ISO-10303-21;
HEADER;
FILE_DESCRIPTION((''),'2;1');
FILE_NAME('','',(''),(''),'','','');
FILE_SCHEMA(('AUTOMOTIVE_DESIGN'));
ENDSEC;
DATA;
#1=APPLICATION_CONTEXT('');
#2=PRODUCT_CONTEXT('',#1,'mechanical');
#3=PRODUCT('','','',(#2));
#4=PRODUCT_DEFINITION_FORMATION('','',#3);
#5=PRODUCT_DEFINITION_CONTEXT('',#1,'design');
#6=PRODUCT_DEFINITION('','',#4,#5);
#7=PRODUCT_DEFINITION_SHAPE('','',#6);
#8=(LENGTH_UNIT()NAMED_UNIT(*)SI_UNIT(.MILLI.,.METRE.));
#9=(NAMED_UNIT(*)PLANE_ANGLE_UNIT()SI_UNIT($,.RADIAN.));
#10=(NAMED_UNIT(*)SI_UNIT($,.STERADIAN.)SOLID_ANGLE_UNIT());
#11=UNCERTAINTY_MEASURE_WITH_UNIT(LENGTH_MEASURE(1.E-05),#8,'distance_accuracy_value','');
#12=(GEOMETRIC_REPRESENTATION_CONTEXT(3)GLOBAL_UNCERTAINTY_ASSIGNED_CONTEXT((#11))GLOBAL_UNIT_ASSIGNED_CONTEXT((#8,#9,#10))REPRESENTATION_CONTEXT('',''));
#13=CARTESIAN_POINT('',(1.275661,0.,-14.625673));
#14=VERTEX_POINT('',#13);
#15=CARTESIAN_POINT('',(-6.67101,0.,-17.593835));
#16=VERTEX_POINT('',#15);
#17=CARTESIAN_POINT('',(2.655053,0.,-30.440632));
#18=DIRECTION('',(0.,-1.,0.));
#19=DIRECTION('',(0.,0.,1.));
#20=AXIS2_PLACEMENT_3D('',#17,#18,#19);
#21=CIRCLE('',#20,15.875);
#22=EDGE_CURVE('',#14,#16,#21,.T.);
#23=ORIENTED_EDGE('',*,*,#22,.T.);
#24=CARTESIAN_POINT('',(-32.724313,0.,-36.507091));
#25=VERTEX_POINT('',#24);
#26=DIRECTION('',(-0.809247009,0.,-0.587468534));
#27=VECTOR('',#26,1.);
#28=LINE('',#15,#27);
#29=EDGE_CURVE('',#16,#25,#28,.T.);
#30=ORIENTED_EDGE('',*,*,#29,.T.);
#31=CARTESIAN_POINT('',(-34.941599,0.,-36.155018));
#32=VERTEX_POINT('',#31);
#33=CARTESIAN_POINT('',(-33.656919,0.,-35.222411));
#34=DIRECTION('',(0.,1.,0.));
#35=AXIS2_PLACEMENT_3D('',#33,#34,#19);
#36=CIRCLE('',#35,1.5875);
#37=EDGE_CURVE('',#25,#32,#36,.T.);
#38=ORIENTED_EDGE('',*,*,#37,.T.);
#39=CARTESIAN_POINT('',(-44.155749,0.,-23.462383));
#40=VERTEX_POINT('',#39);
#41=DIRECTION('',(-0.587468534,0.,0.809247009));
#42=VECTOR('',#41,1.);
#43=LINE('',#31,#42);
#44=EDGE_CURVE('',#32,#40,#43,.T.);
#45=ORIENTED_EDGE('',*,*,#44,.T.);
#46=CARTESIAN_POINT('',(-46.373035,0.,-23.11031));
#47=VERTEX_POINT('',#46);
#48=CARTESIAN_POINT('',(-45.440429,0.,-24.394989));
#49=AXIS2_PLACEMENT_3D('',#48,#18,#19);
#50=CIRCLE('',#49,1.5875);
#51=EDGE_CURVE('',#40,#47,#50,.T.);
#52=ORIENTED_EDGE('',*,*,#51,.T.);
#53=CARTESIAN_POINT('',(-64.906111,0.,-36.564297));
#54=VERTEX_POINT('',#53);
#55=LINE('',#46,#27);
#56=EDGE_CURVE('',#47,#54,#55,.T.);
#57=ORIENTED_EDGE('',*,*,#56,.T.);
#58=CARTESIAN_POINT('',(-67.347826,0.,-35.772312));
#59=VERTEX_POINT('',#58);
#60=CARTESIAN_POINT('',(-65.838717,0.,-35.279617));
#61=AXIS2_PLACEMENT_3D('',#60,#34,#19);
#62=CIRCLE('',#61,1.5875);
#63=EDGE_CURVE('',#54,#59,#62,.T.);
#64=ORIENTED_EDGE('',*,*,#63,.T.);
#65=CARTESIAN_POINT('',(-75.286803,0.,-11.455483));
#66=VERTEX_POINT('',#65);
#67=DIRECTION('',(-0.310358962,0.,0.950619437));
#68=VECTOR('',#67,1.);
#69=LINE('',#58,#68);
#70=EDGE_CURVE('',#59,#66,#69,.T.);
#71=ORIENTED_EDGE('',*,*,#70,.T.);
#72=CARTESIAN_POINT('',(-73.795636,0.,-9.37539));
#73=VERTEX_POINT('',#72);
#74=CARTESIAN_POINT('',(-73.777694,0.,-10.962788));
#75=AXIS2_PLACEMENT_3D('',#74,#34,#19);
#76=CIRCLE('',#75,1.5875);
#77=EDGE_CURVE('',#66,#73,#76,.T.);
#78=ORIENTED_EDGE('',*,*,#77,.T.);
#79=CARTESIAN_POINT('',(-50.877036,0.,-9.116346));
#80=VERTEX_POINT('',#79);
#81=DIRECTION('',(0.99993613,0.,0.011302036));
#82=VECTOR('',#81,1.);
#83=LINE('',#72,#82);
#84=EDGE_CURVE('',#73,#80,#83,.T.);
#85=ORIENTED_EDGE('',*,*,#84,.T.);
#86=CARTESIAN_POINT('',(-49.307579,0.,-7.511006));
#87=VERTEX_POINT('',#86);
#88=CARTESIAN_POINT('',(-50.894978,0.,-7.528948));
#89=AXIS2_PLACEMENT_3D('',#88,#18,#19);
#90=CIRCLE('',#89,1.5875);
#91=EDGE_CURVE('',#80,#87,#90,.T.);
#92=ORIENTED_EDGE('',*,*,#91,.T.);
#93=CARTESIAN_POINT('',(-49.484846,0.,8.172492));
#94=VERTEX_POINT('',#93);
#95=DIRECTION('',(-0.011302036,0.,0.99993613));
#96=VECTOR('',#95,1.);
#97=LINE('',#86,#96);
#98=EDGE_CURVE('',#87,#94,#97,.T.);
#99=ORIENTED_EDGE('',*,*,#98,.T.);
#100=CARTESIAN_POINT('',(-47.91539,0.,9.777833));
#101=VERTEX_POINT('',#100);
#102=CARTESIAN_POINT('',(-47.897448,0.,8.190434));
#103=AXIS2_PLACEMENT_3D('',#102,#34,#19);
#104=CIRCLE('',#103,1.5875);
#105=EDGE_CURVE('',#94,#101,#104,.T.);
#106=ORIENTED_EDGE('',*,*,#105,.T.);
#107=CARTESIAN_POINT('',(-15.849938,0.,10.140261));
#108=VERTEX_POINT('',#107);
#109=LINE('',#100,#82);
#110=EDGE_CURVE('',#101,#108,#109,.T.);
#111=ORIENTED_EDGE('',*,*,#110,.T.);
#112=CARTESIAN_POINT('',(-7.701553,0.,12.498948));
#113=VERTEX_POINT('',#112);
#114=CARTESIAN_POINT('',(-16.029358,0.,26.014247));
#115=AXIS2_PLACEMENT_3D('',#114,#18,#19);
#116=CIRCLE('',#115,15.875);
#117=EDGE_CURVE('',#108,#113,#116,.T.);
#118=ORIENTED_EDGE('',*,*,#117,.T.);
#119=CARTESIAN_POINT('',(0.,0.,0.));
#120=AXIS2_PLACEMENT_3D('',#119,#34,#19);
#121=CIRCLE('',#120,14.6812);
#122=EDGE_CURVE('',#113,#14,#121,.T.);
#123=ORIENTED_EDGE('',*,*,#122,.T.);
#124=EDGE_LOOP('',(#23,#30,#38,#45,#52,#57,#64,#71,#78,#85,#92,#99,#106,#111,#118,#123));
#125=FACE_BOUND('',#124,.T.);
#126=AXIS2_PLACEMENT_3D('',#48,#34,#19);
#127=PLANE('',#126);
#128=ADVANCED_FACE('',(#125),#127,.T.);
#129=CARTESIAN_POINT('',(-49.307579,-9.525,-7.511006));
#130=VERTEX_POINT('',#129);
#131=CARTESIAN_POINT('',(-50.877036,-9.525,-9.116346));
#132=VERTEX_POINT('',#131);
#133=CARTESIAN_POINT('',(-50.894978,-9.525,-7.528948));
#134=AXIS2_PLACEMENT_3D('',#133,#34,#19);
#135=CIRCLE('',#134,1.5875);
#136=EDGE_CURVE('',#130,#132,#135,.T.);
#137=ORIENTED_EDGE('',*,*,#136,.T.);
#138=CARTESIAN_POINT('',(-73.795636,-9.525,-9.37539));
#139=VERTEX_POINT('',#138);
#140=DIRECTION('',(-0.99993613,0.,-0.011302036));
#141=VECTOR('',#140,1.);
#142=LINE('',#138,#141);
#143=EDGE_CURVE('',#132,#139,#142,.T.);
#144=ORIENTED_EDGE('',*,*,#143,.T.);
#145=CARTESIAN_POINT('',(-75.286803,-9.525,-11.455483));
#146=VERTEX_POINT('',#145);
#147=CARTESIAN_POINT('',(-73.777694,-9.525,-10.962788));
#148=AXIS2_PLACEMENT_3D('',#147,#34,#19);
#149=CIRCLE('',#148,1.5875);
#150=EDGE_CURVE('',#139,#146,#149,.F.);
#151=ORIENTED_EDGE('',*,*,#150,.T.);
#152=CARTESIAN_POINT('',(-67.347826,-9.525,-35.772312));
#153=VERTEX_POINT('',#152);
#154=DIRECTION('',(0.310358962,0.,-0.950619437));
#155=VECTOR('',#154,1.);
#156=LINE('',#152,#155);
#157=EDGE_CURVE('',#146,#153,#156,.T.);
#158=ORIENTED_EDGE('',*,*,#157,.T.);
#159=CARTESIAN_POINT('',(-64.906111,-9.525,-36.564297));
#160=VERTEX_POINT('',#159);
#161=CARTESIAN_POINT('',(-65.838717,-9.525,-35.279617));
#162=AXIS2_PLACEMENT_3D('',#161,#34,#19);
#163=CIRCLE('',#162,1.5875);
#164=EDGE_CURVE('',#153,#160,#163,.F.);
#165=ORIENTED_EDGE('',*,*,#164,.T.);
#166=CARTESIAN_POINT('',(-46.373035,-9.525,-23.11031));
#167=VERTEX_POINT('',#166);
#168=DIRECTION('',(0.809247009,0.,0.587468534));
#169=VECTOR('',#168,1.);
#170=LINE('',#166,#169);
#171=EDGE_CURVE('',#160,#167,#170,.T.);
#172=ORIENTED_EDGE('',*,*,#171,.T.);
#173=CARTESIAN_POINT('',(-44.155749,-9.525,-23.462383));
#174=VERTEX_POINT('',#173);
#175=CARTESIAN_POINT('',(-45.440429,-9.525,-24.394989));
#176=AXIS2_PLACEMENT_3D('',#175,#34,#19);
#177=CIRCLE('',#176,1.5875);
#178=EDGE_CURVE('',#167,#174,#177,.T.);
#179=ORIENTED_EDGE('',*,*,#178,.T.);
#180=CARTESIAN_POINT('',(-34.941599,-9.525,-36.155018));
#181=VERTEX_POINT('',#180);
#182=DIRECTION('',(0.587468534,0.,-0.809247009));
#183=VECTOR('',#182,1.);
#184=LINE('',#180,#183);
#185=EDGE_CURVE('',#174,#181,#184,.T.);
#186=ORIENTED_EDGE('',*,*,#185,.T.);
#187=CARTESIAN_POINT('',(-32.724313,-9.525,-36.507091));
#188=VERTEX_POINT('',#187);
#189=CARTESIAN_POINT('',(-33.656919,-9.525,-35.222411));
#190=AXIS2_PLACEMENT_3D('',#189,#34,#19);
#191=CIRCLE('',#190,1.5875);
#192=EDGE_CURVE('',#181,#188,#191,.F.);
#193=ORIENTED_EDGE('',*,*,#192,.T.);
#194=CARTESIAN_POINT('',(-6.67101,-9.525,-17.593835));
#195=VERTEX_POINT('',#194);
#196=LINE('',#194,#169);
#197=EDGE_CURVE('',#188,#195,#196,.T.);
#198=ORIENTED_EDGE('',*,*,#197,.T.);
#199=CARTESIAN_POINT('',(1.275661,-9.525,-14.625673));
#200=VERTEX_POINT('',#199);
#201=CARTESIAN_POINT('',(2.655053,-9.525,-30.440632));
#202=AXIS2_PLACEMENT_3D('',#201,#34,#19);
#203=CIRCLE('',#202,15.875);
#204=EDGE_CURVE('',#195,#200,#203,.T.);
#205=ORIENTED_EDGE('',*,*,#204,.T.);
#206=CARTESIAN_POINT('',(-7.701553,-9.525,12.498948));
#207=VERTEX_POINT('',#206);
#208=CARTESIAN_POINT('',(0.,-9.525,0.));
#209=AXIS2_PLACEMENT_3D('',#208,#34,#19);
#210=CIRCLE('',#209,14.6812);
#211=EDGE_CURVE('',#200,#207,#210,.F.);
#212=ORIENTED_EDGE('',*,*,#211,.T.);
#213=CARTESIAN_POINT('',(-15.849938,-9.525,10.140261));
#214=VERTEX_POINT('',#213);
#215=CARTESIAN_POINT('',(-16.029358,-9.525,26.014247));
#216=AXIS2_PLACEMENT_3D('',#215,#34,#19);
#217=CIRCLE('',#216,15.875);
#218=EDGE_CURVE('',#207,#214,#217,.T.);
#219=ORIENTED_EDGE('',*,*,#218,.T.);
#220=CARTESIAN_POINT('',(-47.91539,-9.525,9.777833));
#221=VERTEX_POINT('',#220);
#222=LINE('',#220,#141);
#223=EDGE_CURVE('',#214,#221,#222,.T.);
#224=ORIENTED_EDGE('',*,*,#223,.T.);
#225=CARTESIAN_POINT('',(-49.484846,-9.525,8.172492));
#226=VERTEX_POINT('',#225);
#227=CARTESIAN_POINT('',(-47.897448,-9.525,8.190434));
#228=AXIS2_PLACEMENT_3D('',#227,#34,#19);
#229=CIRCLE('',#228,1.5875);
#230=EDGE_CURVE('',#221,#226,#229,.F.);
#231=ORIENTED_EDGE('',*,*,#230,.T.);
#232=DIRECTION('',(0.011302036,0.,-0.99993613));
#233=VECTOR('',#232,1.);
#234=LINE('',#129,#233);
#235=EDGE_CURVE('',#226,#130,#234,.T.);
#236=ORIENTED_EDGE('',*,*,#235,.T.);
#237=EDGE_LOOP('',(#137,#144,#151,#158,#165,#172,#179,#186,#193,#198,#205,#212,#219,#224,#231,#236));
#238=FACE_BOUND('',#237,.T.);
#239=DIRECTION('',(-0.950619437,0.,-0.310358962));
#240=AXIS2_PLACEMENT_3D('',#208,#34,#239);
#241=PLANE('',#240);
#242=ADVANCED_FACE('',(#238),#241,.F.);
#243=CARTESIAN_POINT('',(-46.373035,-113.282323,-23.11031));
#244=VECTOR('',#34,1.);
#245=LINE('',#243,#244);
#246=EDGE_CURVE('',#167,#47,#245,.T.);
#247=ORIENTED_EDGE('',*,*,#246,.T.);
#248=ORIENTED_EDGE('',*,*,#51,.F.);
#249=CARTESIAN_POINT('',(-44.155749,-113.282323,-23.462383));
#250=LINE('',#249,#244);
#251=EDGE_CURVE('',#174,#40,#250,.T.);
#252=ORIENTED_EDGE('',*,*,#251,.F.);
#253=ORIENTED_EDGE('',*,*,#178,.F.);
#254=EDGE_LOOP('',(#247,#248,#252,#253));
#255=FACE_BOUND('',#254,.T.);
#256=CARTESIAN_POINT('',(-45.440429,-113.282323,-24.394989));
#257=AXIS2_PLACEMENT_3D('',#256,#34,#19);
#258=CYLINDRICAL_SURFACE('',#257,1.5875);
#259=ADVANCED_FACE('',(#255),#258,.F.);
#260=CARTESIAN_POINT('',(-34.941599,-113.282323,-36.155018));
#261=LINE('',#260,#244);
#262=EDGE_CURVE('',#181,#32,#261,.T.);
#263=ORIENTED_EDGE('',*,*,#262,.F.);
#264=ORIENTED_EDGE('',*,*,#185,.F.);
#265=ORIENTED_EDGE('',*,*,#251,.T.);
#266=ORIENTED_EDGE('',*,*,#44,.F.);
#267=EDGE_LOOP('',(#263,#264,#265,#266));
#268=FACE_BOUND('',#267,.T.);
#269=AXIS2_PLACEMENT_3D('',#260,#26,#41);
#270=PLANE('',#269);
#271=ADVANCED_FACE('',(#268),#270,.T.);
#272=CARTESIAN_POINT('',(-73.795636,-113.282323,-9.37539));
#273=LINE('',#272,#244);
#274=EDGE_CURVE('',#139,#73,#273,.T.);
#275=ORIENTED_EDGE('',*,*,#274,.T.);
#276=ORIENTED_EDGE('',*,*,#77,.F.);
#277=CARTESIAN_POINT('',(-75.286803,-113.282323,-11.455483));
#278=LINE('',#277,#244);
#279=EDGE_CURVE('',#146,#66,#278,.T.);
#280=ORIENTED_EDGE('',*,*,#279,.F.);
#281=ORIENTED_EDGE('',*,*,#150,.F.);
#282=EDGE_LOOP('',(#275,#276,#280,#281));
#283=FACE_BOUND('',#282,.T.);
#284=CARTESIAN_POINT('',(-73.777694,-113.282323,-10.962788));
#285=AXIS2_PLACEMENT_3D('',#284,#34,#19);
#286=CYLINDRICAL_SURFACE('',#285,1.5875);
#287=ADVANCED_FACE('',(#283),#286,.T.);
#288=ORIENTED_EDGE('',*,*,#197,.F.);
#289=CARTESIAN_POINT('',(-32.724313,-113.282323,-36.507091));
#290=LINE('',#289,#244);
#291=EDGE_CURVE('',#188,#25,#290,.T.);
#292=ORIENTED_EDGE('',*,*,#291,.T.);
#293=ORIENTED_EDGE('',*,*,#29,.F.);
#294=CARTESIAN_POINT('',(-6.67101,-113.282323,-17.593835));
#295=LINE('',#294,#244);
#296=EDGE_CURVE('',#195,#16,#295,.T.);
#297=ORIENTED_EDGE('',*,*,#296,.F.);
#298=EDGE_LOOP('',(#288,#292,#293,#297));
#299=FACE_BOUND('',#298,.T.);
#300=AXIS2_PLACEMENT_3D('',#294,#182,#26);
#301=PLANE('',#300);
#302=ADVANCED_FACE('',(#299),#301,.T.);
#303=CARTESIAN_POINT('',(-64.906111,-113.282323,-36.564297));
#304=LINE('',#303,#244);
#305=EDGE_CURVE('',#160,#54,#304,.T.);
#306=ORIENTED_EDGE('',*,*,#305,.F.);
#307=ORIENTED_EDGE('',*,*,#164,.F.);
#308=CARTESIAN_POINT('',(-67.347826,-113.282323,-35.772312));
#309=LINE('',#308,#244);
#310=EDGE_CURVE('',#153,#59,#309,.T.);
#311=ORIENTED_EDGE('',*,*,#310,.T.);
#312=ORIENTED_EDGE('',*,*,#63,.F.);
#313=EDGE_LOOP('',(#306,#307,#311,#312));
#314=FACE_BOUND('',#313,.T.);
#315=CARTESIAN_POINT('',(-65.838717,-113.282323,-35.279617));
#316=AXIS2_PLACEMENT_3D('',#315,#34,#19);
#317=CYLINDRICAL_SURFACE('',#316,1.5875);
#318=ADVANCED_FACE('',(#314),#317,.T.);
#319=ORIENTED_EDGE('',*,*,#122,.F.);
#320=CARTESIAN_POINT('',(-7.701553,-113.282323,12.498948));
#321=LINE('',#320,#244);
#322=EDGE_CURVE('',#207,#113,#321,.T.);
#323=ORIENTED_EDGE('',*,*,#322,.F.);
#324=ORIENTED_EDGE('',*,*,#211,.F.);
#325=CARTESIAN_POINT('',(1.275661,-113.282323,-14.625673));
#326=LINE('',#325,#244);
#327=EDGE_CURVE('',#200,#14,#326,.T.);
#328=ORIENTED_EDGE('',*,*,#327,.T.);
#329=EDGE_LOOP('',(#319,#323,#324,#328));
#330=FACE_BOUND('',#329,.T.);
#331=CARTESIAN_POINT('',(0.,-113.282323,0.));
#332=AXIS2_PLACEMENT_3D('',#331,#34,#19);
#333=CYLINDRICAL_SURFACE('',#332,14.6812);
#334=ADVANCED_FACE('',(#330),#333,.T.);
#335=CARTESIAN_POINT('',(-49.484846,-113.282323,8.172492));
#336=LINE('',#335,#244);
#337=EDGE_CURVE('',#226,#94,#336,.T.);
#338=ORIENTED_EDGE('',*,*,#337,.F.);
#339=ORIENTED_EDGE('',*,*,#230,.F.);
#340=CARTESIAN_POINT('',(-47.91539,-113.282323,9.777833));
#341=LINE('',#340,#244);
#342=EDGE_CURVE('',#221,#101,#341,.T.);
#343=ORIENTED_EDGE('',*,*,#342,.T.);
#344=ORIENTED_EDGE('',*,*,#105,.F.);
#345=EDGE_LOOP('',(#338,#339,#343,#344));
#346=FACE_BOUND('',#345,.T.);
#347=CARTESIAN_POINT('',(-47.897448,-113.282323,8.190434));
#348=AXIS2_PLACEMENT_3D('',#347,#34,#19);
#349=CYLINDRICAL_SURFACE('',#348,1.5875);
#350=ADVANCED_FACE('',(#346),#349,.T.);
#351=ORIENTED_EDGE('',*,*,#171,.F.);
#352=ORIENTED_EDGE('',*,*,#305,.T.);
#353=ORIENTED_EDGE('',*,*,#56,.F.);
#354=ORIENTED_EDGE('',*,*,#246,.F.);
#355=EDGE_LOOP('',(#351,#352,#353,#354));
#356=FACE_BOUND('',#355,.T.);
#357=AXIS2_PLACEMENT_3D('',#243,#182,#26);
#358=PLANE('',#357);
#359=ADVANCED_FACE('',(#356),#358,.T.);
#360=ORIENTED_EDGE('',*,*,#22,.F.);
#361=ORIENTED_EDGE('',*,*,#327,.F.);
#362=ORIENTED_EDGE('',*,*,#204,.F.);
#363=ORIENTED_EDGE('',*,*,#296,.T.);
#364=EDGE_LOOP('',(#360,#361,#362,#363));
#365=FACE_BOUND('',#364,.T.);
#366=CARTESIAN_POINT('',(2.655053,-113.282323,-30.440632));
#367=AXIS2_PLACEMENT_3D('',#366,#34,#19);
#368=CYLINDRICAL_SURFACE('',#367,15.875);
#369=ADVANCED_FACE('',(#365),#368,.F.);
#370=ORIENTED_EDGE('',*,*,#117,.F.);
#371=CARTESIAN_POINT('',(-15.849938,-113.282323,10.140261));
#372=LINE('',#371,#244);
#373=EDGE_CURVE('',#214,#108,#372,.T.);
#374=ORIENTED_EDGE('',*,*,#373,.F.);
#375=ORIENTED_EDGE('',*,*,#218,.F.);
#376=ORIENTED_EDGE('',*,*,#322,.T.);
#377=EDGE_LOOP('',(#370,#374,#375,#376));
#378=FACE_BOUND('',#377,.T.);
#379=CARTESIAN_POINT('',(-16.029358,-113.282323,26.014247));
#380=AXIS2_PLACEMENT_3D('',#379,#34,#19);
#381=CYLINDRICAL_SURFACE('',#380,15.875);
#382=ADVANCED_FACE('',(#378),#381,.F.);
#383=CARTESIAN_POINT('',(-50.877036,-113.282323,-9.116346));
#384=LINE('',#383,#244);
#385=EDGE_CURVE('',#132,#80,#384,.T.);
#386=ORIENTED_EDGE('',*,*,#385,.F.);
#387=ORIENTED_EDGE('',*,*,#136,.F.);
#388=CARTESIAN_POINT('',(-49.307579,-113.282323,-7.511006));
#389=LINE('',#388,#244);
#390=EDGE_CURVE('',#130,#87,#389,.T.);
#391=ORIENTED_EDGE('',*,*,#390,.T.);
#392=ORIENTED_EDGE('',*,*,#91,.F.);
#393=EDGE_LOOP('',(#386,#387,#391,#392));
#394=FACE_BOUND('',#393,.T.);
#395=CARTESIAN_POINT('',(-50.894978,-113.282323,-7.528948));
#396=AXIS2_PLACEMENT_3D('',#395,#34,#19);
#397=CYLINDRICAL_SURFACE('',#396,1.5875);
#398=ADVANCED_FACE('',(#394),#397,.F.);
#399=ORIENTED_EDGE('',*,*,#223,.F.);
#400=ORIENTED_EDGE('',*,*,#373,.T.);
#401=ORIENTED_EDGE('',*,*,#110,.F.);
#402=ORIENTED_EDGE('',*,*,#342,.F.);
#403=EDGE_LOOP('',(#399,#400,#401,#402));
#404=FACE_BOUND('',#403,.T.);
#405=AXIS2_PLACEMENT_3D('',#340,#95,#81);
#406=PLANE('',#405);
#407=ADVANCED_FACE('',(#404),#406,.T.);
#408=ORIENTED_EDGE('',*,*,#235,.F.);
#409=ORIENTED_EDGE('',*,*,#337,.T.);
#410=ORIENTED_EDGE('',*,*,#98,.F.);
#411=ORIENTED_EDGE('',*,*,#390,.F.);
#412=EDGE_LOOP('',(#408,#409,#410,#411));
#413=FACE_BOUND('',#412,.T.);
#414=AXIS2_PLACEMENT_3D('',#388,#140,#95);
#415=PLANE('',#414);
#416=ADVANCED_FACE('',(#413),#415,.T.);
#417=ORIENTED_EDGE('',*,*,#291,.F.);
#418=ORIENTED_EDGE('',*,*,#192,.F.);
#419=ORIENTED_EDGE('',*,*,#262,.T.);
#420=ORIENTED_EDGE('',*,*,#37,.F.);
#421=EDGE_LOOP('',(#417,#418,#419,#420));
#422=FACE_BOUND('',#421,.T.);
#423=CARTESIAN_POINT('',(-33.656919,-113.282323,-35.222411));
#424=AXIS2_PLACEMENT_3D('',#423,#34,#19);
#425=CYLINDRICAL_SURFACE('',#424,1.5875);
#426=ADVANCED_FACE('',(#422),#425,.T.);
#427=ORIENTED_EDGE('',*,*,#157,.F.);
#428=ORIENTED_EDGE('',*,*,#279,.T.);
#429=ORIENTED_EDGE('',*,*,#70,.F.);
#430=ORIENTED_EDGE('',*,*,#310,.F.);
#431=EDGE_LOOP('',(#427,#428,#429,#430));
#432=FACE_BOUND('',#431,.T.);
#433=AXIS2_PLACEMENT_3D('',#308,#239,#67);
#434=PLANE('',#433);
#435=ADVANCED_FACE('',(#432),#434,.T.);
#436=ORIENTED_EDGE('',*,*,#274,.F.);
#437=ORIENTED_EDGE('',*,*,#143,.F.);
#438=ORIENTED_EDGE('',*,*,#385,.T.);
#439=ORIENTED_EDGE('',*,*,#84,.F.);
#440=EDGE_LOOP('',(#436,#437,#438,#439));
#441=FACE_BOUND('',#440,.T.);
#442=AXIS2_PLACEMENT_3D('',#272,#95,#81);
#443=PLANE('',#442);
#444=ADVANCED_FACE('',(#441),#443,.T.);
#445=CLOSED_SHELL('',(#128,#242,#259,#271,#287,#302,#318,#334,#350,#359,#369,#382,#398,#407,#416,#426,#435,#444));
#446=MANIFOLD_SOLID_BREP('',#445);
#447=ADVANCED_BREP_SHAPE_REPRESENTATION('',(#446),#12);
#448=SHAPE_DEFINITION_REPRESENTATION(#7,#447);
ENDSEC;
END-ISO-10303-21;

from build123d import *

# Parameters (mm, degrees)
BOSS_EXTRUDE1_DEPTH = 9.525


with BuildPart() as part:
    # Sketch1 → Boss-Extrude1 (new body)
    with BuildSketch(Plane(origin=(0, 0, 0), x_dir=(1, 0, 0), z_dir=(0, 1, 0))):
        with BuildLine():
            Line((-46.373035196, 23.110309708), (-64.906111076, 36.564296932))
            ThreePointArc((-64.906111076, 36.564296932), (-66.328511848, 36.789669498), (-67.347825731, 35.772312158))
            Line((-67.347825731, 35.772312158), (-75.28680268, 11.455483186))
            ThreePointArc((-75.28680268, 11.455483186), (-75.067914414, 10.037862192), (-73.795636305, 9.375389727))
            Line((-73.795636305, 9.375389727), (-50.87703604, 9.116346342))
            ThreePointArc((-50.87703604, 9.116346342), (-49.759830806, 8.638721158), (-49.307579416, 7.511005754))
            Line((-49.307579416, 7.511005754), (-49.484846196, -8.172492476))
            ThreePointArc((-49.484846196, -8.172492476), (-49.032594805, -9.30020788), (-47.915389571, -9.777833064))
            Line((-47.915389571, -9.777833064), (-15.849937724, -10.140261096))
            ThreePointArc((-15.849937724, -10.140261096), (-11.615281586, -10.76526167), (-7.701553332, -12.498948344))
            ThreePointArc((-7.701553332, -12.498948344), (13.937693435, -4.612844582), (1.275661223, 14.625673382))
            ThreePointArc((1.275661223, 14.625673382), (-2.899601677, 15.569134056), (-6.671010295, 17.593835357))
            Line((-6.671010295, 17.593835357), (-32.724313124, 36.507091078))
            ThreePointArc((-32.724313124, 36.507091078), (-33.90587286, 36.790269364), (-34.941599049, 36.155017749))
            Line((-34.941599049, 36.155017749), (-44.155749271, 23.462383037))
            ThreePointArc((-44.155749271, 23.462383037), (-45.19147546, 22.827131422), (-46.373035196, 23.110309708))
        make_face()
    extrude(amount=-BOSS_EXTRUDE1_DEPTH)


solid = part.part
